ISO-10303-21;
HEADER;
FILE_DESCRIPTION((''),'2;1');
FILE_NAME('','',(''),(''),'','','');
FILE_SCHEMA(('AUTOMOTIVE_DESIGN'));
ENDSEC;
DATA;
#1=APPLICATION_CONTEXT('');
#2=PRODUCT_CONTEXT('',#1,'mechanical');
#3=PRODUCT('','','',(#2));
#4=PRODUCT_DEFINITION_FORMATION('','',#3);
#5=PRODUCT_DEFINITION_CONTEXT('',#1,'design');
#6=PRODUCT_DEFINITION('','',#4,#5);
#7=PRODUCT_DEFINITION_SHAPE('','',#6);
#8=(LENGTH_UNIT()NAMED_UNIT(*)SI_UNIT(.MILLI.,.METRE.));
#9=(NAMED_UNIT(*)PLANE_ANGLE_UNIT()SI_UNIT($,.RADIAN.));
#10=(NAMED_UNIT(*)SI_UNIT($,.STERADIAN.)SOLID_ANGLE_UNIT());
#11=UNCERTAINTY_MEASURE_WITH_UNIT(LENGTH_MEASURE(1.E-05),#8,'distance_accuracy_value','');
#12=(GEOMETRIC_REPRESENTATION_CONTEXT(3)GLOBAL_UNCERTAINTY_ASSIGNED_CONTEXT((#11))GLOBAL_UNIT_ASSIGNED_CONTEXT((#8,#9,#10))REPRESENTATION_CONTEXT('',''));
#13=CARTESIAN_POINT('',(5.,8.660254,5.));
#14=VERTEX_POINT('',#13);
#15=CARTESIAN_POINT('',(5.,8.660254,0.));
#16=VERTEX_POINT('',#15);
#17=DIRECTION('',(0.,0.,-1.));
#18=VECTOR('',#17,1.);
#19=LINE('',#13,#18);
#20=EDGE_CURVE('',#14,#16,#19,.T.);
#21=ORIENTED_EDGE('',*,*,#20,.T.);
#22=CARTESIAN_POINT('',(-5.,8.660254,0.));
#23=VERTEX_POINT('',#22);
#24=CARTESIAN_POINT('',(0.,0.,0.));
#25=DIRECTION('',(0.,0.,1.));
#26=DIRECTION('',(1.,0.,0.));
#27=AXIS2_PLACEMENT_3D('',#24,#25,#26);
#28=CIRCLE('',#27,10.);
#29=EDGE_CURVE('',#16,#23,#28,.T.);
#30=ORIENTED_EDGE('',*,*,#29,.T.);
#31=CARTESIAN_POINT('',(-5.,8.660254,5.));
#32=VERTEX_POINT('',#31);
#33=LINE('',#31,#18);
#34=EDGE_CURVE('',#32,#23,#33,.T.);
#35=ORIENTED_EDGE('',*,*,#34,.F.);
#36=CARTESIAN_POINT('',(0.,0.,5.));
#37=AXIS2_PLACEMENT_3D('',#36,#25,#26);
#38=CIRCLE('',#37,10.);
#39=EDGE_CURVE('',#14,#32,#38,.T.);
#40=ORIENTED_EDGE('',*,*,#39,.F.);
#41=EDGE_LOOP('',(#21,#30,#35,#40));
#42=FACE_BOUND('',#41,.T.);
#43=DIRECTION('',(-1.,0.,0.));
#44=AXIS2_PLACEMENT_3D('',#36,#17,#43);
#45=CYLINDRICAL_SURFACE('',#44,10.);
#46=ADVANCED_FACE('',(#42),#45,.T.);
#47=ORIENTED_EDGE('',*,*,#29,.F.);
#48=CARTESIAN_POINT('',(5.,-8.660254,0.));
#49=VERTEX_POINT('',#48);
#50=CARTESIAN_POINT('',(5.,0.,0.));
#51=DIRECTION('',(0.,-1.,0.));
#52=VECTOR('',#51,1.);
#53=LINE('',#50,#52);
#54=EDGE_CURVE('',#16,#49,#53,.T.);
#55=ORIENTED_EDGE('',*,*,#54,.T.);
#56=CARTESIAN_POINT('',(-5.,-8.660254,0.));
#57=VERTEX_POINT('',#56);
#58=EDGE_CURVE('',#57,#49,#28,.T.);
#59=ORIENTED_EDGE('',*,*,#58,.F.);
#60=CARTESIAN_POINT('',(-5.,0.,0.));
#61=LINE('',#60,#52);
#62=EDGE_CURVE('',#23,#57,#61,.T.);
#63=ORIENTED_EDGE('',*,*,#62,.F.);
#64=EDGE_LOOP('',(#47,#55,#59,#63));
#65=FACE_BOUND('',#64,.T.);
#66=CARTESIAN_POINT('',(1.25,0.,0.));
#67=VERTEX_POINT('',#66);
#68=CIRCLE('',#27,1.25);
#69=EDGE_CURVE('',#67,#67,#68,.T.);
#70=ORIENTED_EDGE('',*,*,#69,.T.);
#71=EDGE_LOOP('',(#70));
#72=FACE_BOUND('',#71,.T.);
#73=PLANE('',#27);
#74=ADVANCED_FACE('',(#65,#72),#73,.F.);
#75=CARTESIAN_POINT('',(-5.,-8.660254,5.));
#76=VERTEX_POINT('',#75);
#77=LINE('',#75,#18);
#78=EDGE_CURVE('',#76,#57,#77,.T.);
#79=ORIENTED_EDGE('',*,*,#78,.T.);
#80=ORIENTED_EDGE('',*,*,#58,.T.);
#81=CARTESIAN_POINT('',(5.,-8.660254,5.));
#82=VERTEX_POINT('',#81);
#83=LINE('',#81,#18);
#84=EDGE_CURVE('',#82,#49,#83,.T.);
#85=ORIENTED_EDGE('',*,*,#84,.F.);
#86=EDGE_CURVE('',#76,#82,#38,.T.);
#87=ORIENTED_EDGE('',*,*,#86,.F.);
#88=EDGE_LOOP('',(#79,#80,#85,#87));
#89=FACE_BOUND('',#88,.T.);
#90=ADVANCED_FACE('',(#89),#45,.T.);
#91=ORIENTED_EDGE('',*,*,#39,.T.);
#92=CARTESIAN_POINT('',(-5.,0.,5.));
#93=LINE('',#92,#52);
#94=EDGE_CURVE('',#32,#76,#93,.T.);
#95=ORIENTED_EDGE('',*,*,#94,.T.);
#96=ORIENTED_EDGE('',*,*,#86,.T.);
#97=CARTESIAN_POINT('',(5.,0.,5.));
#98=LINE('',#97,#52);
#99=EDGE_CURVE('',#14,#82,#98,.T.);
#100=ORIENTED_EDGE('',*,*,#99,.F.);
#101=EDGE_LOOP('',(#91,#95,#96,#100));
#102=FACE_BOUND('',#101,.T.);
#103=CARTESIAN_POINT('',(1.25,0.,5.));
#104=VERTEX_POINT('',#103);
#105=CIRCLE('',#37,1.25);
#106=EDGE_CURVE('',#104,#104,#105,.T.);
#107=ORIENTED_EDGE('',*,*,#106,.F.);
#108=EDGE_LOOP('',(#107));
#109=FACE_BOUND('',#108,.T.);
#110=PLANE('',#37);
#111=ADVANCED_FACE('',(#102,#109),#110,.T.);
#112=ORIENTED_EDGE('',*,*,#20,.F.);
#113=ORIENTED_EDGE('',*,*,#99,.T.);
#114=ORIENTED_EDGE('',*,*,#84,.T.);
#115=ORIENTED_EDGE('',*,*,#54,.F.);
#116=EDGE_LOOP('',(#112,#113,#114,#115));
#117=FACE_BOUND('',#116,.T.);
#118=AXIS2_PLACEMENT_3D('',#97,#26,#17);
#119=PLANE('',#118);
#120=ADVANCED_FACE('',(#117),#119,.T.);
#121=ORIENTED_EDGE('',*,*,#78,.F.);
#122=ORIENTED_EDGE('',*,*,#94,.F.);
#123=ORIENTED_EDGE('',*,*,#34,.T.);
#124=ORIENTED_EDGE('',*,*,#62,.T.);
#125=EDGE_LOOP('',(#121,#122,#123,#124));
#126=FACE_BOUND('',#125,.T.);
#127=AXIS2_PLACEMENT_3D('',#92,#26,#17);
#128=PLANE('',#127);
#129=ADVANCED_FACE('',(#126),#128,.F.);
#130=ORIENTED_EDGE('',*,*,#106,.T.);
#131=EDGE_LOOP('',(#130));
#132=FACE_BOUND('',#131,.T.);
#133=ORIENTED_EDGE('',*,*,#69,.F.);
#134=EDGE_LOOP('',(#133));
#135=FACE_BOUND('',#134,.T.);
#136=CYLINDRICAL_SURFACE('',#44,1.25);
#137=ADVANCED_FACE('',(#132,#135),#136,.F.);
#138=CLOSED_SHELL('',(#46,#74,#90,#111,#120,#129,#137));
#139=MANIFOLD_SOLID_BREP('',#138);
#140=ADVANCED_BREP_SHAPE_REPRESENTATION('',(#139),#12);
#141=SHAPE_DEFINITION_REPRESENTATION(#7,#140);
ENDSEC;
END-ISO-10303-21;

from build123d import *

# Parameters (mm, degrees)
ESQUISSE1_R        = 1.25
BOSS_EXTRU_1_DEPTH = 5


with BuildPart() as part:
    # Esquisse1 → Boss.-Extru.1 (new body)
    with BuildSketch(Plane.XY):
        with BuildLine():
            ThreePointArc((5, 8.660254038), (0, 10), (-5, 8.660254038))
            Line((-5, 8.660254038), (-5, -8.660254038))
            ThreePointArc((-5, -8.660254038), (0, -10), (5, -8.660254038))
            Line((5, -8.660254038), (5, 8.660254038))
        make_face()
        Circle(ESQUISSE1_R, mode=Mode.SUBTRACT)
    extrude(amount=BOSS_EXTRU_1_DEPTH)


solid = part.part
